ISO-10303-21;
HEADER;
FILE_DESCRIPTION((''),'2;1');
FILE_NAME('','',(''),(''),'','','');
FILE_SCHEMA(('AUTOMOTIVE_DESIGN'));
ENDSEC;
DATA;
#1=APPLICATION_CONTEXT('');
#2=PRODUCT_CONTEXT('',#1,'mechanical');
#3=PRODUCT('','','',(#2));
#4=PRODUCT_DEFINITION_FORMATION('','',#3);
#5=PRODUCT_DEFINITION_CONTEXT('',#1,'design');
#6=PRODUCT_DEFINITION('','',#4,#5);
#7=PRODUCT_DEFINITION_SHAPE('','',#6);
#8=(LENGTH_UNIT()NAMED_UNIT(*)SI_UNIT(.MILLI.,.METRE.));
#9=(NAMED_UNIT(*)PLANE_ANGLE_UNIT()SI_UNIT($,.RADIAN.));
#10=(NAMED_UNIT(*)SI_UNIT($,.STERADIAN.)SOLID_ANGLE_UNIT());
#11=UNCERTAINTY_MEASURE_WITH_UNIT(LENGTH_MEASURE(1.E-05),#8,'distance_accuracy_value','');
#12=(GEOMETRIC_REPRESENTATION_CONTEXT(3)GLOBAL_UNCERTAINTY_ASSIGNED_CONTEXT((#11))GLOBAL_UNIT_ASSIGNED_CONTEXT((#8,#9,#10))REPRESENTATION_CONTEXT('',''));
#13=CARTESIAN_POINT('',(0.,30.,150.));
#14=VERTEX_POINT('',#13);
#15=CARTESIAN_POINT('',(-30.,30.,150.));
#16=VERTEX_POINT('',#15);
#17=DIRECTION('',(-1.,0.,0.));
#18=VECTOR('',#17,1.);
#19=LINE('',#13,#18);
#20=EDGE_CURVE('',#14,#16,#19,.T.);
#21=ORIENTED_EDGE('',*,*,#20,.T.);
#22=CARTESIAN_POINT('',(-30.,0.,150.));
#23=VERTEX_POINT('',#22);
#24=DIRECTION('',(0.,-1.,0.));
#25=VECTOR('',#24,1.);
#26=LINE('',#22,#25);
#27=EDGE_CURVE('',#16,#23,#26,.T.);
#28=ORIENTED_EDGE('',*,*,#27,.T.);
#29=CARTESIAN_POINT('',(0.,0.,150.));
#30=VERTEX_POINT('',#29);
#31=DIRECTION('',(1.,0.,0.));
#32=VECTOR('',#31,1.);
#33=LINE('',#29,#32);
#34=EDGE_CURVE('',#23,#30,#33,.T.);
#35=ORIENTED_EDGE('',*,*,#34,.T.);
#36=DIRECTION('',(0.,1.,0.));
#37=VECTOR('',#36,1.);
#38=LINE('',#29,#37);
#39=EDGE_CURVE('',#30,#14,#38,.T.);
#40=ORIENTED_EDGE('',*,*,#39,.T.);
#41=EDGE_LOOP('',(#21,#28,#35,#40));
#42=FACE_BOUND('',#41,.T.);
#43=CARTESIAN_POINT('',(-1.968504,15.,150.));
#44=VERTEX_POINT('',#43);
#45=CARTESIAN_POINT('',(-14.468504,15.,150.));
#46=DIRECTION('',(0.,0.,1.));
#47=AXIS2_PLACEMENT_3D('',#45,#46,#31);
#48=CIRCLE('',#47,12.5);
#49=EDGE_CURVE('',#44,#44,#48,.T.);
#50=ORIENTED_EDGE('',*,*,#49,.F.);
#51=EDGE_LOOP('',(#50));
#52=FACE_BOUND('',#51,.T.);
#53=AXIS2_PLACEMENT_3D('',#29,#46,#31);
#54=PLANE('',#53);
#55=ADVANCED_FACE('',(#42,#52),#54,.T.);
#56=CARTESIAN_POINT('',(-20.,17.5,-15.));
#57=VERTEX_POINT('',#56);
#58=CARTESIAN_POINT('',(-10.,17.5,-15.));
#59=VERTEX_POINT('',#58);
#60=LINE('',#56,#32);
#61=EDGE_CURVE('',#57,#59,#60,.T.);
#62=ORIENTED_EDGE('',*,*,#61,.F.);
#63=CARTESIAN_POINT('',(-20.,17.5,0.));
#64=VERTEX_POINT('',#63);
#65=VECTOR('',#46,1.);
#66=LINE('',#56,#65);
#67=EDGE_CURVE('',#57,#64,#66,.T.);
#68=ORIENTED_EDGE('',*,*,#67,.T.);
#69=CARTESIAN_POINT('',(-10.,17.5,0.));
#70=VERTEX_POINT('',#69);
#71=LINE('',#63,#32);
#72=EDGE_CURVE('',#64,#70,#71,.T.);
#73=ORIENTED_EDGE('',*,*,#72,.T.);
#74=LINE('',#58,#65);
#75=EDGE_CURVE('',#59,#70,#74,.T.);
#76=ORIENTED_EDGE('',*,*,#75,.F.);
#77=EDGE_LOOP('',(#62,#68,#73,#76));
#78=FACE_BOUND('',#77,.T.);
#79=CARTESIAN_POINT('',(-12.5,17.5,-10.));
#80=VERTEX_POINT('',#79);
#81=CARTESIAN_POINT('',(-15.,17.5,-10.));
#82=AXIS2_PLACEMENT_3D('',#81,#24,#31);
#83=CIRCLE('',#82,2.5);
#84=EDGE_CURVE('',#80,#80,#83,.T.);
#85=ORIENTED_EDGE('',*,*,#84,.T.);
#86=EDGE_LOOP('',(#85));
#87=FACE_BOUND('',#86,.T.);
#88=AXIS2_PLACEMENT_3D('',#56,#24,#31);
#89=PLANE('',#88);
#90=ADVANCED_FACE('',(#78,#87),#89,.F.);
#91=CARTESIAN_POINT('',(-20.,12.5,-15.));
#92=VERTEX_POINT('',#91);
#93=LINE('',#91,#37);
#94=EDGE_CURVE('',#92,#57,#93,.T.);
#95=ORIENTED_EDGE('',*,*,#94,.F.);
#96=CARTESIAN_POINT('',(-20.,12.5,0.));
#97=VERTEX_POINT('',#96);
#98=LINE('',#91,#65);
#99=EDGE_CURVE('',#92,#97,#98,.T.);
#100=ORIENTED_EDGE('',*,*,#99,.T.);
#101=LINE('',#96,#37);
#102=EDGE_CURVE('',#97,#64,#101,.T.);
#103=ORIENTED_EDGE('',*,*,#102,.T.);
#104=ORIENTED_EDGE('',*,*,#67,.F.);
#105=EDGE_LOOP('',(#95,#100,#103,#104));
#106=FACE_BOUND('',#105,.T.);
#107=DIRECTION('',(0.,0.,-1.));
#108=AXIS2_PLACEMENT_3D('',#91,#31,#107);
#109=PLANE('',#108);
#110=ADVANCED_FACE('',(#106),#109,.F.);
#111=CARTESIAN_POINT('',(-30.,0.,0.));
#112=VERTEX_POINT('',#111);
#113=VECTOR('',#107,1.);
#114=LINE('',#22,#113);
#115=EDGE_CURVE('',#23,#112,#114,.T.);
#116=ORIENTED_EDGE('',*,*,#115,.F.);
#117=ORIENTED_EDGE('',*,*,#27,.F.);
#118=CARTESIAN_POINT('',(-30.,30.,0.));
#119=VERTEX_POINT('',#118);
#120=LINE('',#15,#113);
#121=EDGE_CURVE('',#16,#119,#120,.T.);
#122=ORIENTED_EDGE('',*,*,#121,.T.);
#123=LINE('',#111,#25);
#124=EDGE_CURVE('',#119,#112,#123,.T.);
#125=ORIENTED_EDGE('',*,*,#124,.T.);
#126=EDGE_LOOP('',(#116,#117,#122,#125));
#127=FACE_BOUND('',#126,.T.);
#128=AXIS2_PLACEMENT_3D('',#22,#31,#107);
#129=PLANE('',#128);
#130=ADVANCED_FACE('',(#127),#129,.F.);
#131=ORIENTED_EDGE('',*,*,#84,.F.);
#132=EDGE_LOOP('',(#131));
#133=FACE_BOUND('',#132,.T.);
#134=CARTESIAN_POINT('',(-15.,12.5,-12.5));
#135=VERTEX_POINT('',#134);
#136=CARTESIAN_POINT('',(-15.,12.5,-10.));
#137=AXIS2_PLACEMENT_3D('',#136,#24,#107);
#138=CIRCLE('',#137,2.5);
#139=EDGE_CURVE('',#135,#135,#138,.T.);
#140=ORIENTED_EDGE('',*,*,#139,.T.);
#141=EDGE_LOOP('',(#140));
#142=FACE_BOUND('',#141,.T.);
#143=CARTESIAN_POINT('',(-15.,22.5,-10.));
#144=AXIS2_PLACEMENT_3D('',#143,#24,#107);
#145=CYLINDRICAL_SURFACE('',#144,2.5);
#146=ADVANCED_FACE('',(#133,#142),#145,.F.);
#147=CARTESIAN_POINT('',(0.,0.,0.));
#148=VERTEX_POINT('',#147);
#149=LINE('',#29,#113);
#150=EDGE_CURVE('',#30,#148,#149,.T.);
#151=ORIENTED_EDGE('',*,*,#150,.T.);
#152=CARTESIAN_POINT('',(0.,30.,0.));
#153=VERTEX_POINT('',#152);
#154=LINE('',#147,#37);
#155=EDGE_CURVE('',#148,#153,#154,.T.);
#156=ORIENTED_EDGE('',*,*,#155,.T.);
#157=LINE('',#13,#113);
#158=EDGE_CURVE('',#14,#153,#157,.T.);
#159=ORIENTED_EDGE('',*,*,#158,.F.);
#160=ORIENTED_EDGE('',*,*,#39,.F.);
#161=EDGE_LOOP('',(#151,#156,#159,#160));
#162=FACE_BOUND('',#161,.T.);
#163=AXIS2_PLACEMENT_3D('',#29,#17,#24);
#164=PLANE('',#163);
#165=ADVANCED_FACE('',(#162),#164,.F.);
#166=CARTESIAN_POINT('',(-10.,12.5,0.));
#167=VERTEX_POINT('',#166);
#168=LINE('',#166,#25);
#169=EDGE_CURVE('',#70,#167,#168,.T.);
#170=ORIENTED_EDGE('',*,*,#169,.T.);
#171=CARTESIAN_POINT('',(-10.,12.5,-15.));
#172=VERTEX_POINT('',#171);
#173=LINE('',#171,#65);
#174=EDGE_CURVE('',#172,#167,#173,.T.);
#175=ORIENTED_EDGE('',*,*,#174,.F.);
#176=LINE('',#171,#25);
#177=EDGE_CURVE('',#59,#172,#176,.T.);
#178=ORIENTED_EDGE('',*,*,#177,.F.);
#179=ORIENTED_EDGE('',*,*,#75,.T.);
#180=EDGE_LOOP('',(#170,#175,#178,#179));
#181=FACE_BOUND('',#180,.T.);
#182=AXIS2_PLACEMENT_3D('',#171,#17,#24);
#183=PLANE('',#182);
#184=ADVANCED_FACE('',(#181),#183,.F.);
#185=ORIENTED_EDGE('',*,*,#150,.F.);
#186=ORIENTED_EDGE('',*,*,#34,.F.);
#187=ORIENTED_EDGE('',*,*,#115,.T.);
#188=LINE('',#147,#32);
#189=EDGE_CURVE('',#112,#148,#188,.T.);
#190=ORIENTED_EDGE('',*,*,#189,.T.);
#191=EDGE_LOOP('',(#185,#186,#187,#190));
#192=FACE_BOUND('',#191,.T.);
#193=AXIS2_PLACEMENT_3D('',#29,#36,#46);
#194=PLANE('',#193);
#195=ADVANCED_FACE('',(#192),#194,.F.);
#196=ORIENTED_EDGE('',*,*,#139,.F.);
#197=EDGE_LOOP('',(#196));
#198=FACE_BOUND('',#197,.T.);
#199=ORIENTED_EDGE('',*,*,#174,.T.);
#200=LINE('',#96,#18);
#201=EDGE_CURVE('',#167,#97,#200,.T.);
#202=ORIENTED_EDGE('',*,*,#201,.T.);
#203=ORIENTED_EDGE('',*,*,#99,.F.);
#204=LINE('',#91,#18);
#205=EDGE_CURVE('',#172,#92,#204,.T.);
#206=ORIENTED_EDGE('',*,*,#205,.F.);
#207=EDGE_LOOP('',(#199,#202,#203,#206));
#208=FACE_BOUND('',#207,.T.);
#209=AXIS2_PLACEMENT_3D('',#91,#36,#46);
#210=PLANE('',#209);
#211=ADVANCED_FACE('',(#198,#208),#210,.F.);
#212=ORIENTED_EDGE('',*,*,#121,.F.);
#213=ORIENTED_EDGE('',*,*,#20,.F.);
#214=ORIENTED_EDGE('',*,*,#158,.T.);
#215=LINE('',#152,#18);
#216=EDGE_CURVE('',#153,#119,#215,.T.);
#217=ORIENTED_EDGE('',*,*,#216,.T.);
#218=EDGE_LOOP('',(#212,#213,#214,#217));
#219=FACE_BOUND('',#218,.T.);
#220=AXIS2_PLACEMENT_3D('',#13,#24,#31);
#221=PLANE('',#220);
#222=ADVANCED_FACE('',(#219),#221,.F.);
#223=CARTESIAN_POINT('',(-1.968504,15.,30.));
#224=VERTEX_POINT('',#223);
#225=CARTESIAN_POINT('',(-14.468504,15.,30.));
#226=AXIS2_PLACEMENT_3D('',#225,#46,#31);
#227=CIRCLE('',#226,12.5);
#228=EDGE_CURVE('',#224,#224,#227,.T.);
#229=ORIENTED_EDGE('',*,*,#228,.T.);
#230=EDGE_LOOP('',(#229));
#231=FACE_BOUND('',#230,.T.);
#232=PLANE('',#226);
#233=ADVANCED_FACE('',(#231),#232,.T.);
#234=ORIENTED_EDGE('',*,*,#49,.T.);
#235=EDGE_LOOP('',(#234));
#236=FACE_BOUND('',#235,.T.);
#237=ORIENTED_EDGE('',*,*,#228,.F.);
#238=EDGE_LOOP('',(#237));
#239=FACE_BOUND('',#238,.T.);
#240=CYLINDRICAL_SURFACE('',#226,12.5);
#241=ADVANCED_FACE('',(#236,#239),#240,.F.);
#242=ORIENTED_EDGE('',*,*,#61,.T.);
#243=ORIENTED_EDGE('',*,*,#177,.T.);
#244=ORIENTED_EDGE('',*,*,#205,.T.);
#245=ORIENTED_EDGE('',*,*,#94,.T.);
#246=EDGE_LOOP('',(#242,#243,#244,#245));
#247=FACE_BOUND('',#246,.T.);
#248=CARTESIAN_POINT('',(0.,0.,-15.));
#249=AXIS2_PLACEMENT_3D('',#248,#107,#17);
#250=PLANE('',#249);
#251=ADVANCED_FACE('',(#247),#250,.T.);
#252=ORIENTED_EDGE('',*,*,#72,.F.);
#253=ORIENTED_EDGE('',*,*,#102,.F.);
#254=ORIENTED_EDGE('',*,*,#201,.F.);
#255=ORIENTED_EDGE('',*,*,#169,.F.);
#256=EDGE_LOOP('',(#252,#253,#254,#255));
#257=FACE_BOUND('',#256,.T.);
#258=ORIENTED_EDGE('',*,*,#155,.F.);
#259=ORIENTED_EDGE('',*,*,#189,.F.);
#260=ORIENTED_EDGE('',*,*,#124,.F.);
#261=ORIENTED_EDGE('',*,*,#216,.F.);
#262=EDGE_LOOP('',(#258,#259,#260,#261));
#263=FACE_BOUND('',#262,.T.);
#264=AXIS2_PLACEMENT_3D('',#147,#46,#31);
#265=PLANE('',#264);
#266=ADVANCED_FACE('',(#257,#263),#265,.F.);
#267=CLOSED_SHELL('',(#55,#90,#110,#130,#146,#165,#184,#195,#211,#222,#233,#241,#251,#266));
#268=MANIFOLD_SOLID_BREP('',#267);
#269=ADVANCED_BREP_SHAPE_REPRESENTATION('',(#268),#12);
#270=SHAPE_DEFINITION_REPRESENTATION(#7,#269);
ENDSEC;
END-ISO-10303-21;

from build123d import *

# Parameters (mm, degrees)
SKETCH1_W           = 30
SKETCH1_H           = 30
BOSS_EXTRUDE1_DEPTH = 150
SKETCH2_R           = 12.5
CUT_EXTRUDE1_DEPTH  = 120
SKETCH3_W           = 10
SKETCH3_H           = 5
BOSS_EXTRUDE2_DEPTH = 15
SKETCH4_R           = 2.5
CUT_EXTRUDE2_DEPTH  = 10


with BuildPart() as part:
    # Sketch1 → Boss-Extrude1 (new body)
    with BuildSketch(Plane.XY):
        with Locations((-15, 15)):
            Rectangle(SKETCH1_W, SKETCH1_H)
    extrude(amount=BOSS_EXTRUDE1_DEPTH)

    # Sketch2 → Cut-Extrude1 (cut)
    with BuildSketch(Plane.XY.offset(150)):
        with Locations((-14.468504341, 15)):
            Circle(SKETCH2_R)
    extrude(amount=-CUT_EXTRUDE1_DEPTH, mode=Mode.SUBTRACT)

    # Sketch3 → Boss-Extrude2 (add)
    with BuildSketch(Plane(origin=(0, 0, 0), x_dir=(-1, 0, 0), z_dir=(0, 0, -1))):
        with Locations((15, 15)):
            Rectangle(SKETCH3_W, SKETCH3_H)
    extrude(amount=BOSS_EXTRUDE2_DEPTH)

    # Sketch4 → Cut-Extrude2 (cut)
    with BuildSketch(Plane.XZ.offset(-12.5)):
        with Locations((-15, -10)):
            Circle(SKETCH4_R)
    extrude(amount=-CUT_EXTRUDE2_DEPTH, mode=Mode.SUBTRACT)


solid = part.part
